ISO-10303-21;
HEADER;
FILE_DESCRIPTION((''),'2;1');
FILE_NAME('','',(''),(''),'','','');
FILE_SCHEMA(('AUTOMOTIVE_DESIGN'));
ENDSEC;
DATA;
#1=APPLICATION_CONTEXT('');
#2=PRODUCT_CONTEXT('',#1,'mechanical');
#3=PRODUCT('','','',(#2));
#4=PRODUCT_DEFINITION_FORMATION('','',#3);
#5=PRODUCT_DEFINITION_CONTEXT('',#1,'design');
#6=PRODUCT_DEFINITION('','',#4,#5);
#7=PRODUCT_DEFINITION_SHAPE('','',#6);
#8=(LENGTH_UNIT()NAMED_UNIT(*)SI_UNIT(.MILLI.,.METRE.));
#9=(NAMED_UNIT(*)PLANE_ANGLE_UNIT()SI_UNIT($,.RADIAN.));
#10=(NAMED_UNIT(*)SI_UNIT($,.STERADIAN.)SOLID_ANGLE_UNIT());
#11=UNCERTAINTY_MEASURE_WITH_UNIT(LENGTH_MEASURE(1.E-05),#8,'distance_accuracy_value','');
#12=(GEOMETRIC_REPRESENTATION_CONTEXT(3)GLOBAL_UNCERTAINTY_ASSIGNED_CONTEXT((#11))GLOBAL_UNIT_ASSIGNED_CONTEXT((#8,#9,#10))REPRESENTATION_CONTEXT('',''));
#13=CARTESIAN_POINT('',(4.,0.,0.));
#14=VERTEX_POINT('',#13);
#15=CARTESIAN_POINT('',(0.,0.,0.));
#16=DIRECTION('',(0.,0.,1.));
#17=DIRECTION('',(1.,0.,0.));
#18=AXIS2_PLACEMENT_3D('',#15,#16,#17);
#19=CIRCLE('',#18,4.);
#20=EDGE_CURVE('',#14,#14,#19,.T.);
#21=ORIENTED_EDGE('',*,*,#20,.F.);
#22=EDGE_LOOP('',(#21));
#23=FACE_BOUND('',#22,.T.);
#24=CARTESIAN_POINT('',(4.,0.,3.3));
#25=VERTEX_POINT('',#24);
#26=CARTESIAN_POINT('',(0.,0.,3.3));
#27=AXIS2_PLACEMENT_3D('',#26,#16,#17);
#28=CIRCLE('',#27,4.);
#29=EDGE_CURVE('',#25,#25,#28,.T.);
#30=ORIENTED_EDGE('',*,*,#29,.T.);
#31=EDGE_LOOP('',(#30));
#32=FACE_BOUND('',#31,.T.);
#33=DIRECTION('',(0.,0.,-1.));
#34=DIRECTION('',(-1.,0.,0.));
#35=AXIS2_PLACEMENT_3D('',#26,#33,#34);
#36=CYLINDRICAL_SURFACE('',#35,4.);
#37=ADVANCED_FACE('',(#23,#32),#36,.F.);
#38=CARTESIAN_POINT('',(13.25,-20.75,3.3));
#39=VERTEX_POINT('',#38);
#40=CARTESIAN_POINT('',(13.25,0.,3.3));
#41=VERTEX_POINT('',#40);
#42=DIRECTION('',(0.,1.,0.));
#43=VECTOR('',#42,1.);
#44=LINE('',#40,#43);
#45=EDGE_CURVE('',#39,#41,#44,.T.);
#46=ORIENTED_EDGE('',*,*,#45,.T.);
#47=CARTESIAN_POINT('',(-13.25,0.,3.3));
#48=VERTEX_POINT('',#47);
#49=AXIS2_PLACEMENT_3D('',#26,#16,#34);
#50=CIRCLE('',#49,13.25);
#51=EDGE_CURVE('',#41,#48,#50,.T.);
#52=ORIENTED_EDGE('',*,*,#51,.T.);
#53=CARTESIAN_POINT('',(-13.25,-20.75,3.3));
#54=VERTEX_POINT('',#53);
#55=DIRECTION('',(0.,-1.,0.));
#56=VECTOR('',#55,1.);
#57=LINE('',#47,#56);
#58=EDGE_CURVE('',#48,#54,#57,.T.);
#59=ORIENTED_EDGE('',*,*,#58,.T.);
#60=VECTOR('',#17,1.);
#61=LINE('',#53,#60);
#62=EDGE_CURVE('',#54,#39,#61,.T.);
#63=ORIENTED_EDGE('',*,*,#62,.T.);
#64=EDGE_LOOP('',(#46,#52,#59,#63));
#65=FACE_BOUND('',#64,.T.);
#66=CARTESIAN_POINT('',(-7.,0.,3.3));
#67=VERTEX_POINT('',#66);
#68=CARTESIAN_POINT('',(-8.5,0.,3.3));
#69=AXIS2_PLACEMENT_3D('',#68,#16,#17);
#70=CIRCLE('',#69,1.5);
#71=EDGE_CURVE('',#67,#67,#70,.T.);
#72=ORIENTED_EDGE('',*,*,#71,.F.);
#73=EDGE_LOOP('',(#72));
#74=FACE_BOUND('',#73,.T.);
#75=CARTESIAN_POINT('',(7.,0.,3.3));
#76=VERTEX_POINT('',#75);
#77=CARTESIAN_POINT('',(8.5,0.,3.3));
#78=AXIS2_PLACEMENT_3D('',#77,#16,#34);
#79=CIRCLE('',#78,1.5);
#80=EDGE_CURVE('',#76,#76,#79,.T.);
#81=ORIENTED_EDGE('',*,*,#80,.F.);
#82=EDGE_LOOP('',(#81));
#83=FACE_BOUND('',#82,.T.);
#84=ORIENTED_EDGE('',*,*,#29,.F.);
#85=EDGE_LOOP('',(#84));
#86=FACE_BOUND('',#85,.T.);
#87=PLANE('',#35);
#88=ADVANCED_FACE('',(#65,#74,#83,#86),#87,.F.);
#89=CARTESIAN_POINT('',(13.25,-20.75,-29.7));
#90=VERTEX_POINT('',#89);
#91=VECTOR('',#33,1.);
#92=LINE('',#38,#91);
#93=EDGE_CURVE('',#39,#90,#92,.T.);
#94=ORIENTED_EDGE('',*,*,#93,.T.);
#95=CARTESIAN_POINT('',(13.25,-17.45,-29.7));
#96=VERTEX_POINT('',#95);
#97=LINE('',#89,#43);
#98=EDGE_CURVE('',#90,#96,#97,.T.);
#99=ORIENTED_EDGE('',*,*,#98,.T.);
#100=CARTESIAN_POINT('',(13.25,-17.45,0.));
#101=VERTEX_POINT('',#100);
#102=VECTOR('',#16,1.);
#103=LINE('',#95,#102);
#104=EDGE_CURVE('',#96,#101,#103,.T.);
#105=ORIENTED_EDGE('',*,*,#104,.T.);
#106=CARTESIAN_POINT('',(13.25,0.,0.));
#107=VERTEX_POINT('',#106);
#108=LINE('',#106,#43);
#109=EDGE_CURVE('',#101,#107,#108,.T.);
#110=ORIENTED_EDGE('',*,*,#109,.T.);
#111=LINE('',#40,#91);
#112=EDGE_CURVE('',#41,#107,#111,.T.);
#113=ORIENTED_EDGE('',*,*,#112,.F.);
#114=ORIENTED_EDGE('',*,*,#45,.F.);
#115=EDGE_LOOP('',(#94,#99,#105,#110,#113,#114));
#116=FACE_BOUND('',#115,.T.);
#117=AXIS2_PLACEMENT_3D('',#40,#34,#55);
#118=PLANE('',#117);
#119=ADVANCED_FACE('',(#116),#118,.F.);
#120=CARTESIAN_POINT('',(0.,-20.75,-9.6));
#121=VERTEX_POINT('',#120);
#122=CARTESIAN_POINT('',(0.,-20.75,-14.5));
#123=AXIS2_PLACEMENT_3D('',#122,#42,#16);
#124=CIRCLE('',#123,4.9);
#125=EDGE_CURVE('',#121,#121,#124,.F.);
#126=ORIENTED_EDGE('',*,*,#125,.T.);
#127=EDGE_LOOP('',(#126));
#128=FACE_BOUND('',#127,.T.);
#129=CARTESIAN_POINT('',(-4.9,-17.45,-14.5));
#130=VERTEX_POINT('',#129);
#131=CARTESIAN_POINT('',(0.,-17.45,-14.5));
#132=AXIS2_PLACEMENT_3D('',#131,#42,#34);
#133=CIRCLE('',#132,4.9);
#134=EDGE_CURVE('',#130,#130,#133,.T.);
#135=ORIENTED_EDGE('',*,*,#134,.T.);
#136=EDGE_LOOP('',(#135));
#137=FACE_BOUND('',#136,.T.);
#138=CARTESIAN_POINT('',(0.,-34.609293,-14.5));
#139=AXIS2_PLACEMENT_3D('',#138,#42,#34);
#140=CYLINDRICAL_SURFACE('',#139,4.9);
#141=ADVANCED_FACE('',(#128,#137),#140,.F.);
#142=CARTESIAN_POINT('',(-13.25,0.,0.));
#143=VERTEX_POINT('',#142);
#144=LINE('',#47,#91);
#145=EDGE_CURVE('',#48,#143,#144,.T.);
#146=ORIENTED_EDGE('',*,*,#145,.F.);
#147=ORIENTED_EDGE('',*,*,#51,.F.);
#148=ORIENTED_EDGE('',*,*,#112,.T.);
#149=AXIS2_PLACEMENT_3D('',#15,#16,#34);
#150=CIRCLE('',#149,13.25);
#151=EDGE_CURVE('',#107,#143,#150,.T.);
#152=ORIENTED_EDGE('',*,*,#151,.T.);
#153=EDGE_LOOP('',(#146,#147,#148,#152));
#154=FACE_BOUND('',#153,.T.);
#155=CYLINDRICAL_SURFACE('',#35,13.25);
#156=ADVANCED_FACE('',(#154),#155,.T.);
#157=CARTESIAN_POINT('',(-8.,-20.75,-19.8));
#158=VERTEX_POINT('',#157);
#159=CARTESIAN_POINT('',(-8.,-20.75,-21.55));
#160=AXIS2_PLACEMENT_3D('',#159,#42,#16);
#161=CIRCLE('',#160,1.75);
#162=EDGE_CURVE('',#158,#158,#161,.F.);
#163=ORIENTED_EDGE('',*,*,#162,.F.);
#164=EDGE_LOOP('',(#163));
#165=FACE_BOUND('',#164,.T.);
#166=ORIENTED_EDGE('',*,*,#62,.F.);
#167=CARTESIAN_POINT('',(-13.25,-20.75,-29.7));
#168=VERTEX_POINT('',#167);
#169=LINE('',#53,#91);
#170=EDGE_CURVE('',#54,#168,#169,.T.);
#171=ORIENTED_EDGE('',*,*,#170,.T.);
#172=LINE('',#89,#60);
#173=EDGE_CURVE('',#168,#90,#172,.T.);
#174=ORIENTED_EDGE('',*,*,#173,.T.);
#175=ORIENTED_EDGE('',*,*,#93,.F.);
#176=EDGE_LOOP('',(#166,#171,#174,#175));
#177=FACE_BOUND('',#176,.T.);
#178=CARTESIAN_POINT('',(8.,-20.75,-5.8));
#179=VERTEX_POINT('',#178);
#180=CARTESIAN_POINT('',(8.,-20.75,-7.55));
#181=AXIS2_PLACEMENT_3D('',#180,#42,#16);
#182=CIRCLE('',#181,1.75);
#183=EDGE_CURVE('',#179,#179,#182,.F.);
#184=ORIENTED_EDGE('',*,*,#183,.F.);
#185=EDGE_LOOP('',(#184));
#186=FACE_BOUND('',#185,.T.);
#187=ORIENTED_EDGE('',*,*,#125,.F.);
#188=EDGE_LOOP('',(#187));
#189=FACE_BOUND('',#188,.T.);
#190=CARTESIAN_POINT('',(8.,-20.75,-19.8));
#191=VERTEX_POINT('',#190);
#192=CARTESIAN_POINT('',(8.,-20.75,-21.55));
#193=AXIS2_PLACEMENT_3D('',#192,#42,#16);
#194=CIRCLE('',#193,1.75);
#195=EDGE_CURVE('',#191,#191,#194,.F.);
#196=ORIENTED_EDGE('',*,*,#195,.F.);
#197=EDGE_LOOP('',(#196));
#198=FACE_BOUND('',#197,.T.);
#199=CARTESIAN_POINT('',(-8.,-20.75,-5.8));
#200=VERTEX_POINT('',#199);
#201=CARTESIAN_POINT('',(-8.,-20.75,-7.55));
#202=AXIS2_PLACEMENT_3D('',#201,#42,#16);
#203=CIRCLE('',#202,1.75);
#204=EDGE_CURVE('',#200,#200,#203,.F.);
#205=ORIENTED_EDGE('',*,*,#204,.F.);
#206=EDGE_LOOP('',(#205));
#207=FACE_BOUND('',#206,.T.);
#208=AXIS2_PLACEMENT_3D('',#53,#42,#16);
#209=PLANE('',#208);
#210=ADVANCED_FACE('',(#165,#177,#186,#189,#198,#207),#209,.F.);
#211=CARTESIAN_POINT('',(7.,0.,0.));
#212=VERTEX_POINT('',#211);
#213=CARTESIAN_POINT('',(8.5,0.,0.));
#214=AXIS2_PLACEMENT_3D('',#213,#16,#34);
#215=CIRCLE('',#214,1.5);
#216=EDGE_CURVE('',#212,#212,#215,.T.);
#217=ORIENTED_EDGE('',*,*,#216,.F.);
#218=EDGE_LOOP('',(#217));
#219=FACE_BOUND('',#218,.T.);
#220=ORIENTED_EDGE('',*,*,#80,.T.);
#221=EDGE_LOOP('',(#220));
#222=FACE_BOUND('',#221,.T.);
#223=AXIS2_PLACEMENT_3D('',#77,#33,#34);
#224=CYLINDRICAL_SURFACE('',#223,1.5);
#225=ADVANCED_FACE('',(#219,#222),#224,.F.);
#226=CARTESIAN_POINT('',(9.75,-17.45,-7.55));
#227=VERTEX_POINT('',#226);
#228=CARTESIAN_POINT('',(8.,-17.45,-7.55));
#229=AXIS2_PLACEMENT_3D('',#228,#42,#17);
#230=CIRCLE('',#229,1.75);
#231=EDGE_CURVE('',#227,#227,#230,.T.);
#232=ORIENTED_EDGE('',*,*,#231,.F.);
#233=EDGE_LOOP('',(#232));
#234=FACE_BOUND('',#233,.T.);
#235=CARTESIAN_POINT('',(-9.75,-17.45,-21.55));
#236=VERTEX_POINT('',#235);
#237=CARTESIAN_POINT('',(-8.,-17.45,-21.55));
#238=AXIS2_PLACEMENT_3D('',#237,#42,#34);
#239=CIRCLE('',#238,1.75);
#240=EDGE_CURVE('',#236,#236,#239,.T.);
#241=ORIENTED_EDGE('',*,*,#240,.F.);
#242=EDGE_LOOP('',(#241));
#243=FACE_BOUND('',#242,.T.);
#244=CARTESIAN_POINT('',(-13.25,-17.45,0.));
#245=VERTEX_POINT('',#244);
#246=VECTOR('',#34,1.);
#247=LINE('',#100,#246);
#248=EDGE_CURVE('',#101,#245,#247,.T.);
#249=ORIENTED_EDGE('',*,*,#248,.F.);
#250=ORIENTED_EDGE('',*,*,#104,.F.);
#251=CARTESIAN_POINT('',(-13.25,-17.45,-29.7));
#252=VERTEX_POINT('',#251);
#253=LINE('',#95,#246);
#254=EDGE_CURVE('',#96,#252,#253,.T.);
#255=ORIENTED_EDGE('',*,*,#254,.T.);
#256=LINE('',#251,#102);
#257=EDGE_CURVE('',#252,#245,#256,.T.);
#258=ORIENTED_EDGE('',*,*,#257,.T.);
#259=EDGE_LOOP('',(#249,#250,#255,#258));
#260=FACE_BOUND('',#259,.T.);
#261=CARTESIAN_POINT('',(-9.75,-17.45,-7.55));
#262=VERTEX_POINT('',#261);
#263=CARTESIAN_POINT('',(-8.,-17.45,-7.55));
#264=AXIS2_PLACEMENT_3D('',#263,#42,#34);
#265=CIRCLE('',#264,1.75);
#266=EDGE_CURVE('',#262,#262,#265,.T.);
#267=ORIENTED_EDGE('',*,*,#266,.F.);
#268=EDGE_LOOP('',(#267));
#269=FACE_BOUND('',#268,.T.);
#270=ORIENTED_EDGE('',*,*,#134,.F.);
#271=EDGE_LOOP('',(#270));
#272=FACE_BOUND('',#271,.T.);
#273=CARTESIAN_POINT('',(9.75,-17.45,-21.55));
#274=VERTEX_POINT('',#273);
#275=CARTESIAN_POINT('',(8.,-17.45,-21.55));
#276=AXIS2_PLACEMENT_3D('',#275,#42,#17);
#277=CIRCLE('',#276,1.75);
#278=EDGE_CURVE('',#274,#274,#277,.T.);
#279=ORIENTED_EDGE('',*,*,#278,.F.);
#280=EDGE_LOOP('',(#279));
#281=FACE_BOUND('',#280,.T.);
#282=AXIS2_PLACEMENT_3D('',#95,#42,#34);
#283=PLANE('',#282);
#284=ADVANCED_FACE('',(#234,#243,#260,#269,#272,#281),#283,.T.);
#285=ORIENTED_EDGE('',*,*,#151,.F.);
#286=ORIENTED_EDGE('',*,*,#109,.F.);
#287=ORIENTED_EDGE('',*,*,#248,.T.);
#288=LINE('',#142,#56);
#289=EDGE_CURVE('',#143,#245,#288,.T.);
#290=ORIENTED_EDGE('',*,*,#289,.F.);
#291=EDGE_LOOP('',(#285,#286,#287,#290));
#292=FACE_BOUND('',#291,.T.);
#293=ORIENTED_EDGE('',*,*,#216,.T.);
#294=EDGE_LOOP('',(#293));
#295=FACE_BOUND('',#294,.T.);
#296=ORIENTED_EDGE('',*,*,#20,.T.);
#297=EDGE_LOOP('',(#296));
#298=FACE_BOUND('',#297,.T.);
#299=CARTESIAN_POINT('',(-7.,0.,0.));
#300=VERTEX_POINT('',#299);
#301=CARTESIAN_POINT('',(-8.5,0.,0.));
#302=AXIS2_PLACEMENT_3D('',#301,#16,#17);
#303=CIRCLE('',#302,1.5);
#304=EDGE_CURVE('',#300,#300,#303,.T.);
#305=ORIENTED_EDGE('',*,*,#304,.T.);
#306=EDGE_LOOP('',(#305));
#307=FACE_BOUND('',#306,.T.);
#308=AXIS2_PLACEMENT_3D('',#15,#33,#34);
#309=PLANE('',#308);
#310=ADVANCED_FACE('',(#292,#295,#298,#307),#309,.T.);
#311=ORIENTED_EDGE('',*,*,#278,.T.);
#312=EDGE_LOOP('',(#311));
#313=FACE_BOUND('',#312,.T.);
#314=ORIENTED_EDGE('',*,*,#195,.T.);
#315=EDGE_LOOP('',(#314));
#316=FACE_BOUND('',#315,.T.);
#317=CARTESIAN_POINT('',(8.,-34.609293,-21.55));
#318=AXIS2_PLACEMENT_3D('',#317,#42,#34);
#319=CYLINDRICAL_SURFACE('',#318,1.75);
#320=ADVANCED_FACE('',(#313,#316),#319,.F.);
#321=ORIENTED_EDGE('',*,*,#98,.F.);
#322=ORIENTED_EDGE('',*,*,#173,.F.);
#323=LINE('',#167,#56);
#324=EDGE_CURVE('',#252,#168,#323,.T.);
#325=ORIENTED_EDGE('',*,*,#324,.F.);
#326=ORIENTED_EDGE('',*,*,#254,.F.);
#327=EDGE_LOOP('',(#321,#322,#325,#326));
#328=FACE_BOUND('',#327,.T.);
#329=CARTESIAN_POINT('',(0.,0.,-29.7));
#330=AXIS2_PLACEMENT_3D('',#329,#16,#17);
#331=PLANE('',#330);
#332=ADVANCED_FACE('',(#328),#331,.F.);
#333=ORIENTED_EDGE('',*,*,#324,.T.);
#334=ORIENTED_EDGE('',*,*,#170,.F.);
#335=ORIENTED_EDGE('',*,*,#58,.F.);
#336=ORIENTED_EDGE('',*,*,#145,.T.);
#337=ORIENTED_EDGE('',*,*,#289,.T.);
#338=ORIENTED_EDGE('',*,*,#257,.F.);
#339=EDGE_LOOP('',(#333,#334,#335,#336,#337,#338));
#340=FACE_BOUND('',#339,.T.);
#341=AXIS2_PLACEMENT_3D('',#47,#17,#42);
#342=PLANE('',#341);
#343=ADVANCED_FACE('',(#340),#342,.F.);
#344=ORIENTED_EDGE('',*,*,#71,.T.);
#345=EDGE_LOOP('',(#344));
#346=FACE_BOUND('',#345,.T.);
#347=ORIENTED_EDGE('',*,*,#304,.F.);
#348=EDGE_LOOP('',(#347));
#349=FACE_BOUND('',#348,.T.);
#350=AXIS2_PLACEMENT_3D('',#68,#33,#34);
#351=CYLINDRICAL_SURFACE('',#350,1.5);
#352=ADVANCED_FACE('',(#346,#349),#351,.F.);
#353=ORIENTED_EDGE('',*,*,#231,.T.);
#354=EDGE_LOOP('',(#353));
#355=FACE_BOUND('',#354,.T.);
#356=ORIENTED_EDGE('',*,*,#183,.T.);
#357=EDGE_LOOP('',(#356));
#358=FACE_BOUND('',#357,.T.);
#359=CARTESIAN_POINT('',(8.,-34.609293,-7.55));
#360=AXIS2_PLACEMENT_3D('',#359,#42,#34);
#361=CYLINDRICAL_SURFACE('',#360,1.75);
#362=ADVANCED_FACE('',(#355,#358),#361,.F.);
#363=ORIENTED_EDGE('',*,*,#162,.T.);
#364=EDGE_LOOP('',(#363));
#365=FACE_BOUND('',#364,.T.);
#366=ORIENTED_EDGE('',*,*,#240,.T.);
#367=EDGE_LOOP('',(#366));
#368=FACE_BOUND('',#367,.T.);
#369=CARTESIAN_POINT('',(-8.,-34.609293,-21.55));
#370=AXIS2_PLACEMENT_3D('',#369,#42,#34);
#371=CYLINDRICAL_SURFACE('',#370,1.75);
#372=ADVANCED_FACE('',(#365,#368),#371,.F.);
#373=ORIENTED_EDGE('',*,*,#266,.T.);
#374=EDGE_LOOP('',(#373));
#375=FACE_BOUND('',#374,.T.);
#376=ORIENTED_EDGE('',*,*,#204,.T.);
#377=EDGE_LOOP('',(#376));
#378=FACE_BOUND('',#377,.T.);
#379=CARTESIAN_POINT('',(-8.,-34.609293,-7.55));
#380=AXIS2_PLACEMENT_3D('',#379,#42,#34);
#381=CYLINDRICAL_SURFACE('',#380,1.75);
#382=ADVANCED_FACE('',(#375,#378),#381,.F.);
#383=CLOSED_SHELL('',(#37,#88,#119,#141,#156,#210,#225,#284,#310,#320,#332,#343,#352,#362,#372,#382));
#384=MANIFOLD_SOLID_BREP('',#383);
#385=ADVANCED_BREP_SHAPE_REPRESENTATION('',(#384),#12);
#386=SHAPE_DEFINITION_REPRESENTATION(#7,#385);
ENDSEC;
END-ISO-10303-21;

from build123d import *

# Parameters (mm, degrees)
SKETCH_1_R          = 4
SKETCH_1_R_2        = 1.5
EXTRUDE_1_DEPTH     = 3.3
SKETCH_2_W          = 26.5
SKETCH_2_H          = 3.3
EXTRUDE_2_DEPTH     = 29.7
SKETCH_3_R          = 4.9
SKETCH_3_R_2        = 1.75
CUT_EXTRUDE_1_DEPTH = 3.3


with BuildPart() as part:
    # 草图1 → 凸台-拉伸1 (new body)
    with BuildSketch(Plane.XY):
        with BuildLine():
            Line((-13.25, 0), (-13.25, -20.75))
            Line((-13.25, -20.75), (13.25, -20.75))
            Line((13.25, -20.75), (13.25, 0))
            ThreePointArc((13.25, 0), (0, 13.25), (-13.25, 0))
        make_face()
        Circle(SKETCH_1_R, mode=Mode.SUBTRACT)
        with Locations((-8.5, 0)):
            Circle(SKETCH_1_R_2, mode=Mode.SUBTRACT)
        with Locations(Location((8.5, 0, 0), (0, 0, 180))):
            Circle(SKETCH_1_R_2, mode=Mode.SUBTRACT)
    extrude(amount=EXTRUDE_1_DEPTH)

    # 草图2 → 凸台-拉伸2 (add)
    with BuildSketch(Plane.XY):
        with Locations((0, -19.1)):
            Rectangle(SKETCH_2_W, SKETCH_2_H)
    extrude(amount=-EXTRUDE_2_DEPTH)

    # 草图3 → 切除-拉伸1 (cut)
    with BuildSketch(Plane(origin=(0, -17.45, 0), x_dir=(1, 0, 0), z_dir=(0, 1, 0))):
        with Locations(Location((0, 14.5, 0), (0, 0, 180))):
            Circle(SKETCH_3_R)
        with Locations(Location((-8, 21.55, 0), (0, 0, 180))):
            Circle(SKETCH_3_R_2)
        with Locations(Location((-8, 7.55, 0), (0, 0, 180))):
            Circle(SKETCH_3_R_2)
        with Locations(Location((8, 7.55, 0), (0, 0, 270))):
            Circle(SKETCH_3_R_2)
        with Locations(Location((8, 21.55, 0), (0, 0, 270))):
            Circle(SKETCH_3_R_2)
    extrude(amount=-CUT_EXTRUDE_1_DEPTH, mode=Mode.SUBTRACT)


solid = part.part
